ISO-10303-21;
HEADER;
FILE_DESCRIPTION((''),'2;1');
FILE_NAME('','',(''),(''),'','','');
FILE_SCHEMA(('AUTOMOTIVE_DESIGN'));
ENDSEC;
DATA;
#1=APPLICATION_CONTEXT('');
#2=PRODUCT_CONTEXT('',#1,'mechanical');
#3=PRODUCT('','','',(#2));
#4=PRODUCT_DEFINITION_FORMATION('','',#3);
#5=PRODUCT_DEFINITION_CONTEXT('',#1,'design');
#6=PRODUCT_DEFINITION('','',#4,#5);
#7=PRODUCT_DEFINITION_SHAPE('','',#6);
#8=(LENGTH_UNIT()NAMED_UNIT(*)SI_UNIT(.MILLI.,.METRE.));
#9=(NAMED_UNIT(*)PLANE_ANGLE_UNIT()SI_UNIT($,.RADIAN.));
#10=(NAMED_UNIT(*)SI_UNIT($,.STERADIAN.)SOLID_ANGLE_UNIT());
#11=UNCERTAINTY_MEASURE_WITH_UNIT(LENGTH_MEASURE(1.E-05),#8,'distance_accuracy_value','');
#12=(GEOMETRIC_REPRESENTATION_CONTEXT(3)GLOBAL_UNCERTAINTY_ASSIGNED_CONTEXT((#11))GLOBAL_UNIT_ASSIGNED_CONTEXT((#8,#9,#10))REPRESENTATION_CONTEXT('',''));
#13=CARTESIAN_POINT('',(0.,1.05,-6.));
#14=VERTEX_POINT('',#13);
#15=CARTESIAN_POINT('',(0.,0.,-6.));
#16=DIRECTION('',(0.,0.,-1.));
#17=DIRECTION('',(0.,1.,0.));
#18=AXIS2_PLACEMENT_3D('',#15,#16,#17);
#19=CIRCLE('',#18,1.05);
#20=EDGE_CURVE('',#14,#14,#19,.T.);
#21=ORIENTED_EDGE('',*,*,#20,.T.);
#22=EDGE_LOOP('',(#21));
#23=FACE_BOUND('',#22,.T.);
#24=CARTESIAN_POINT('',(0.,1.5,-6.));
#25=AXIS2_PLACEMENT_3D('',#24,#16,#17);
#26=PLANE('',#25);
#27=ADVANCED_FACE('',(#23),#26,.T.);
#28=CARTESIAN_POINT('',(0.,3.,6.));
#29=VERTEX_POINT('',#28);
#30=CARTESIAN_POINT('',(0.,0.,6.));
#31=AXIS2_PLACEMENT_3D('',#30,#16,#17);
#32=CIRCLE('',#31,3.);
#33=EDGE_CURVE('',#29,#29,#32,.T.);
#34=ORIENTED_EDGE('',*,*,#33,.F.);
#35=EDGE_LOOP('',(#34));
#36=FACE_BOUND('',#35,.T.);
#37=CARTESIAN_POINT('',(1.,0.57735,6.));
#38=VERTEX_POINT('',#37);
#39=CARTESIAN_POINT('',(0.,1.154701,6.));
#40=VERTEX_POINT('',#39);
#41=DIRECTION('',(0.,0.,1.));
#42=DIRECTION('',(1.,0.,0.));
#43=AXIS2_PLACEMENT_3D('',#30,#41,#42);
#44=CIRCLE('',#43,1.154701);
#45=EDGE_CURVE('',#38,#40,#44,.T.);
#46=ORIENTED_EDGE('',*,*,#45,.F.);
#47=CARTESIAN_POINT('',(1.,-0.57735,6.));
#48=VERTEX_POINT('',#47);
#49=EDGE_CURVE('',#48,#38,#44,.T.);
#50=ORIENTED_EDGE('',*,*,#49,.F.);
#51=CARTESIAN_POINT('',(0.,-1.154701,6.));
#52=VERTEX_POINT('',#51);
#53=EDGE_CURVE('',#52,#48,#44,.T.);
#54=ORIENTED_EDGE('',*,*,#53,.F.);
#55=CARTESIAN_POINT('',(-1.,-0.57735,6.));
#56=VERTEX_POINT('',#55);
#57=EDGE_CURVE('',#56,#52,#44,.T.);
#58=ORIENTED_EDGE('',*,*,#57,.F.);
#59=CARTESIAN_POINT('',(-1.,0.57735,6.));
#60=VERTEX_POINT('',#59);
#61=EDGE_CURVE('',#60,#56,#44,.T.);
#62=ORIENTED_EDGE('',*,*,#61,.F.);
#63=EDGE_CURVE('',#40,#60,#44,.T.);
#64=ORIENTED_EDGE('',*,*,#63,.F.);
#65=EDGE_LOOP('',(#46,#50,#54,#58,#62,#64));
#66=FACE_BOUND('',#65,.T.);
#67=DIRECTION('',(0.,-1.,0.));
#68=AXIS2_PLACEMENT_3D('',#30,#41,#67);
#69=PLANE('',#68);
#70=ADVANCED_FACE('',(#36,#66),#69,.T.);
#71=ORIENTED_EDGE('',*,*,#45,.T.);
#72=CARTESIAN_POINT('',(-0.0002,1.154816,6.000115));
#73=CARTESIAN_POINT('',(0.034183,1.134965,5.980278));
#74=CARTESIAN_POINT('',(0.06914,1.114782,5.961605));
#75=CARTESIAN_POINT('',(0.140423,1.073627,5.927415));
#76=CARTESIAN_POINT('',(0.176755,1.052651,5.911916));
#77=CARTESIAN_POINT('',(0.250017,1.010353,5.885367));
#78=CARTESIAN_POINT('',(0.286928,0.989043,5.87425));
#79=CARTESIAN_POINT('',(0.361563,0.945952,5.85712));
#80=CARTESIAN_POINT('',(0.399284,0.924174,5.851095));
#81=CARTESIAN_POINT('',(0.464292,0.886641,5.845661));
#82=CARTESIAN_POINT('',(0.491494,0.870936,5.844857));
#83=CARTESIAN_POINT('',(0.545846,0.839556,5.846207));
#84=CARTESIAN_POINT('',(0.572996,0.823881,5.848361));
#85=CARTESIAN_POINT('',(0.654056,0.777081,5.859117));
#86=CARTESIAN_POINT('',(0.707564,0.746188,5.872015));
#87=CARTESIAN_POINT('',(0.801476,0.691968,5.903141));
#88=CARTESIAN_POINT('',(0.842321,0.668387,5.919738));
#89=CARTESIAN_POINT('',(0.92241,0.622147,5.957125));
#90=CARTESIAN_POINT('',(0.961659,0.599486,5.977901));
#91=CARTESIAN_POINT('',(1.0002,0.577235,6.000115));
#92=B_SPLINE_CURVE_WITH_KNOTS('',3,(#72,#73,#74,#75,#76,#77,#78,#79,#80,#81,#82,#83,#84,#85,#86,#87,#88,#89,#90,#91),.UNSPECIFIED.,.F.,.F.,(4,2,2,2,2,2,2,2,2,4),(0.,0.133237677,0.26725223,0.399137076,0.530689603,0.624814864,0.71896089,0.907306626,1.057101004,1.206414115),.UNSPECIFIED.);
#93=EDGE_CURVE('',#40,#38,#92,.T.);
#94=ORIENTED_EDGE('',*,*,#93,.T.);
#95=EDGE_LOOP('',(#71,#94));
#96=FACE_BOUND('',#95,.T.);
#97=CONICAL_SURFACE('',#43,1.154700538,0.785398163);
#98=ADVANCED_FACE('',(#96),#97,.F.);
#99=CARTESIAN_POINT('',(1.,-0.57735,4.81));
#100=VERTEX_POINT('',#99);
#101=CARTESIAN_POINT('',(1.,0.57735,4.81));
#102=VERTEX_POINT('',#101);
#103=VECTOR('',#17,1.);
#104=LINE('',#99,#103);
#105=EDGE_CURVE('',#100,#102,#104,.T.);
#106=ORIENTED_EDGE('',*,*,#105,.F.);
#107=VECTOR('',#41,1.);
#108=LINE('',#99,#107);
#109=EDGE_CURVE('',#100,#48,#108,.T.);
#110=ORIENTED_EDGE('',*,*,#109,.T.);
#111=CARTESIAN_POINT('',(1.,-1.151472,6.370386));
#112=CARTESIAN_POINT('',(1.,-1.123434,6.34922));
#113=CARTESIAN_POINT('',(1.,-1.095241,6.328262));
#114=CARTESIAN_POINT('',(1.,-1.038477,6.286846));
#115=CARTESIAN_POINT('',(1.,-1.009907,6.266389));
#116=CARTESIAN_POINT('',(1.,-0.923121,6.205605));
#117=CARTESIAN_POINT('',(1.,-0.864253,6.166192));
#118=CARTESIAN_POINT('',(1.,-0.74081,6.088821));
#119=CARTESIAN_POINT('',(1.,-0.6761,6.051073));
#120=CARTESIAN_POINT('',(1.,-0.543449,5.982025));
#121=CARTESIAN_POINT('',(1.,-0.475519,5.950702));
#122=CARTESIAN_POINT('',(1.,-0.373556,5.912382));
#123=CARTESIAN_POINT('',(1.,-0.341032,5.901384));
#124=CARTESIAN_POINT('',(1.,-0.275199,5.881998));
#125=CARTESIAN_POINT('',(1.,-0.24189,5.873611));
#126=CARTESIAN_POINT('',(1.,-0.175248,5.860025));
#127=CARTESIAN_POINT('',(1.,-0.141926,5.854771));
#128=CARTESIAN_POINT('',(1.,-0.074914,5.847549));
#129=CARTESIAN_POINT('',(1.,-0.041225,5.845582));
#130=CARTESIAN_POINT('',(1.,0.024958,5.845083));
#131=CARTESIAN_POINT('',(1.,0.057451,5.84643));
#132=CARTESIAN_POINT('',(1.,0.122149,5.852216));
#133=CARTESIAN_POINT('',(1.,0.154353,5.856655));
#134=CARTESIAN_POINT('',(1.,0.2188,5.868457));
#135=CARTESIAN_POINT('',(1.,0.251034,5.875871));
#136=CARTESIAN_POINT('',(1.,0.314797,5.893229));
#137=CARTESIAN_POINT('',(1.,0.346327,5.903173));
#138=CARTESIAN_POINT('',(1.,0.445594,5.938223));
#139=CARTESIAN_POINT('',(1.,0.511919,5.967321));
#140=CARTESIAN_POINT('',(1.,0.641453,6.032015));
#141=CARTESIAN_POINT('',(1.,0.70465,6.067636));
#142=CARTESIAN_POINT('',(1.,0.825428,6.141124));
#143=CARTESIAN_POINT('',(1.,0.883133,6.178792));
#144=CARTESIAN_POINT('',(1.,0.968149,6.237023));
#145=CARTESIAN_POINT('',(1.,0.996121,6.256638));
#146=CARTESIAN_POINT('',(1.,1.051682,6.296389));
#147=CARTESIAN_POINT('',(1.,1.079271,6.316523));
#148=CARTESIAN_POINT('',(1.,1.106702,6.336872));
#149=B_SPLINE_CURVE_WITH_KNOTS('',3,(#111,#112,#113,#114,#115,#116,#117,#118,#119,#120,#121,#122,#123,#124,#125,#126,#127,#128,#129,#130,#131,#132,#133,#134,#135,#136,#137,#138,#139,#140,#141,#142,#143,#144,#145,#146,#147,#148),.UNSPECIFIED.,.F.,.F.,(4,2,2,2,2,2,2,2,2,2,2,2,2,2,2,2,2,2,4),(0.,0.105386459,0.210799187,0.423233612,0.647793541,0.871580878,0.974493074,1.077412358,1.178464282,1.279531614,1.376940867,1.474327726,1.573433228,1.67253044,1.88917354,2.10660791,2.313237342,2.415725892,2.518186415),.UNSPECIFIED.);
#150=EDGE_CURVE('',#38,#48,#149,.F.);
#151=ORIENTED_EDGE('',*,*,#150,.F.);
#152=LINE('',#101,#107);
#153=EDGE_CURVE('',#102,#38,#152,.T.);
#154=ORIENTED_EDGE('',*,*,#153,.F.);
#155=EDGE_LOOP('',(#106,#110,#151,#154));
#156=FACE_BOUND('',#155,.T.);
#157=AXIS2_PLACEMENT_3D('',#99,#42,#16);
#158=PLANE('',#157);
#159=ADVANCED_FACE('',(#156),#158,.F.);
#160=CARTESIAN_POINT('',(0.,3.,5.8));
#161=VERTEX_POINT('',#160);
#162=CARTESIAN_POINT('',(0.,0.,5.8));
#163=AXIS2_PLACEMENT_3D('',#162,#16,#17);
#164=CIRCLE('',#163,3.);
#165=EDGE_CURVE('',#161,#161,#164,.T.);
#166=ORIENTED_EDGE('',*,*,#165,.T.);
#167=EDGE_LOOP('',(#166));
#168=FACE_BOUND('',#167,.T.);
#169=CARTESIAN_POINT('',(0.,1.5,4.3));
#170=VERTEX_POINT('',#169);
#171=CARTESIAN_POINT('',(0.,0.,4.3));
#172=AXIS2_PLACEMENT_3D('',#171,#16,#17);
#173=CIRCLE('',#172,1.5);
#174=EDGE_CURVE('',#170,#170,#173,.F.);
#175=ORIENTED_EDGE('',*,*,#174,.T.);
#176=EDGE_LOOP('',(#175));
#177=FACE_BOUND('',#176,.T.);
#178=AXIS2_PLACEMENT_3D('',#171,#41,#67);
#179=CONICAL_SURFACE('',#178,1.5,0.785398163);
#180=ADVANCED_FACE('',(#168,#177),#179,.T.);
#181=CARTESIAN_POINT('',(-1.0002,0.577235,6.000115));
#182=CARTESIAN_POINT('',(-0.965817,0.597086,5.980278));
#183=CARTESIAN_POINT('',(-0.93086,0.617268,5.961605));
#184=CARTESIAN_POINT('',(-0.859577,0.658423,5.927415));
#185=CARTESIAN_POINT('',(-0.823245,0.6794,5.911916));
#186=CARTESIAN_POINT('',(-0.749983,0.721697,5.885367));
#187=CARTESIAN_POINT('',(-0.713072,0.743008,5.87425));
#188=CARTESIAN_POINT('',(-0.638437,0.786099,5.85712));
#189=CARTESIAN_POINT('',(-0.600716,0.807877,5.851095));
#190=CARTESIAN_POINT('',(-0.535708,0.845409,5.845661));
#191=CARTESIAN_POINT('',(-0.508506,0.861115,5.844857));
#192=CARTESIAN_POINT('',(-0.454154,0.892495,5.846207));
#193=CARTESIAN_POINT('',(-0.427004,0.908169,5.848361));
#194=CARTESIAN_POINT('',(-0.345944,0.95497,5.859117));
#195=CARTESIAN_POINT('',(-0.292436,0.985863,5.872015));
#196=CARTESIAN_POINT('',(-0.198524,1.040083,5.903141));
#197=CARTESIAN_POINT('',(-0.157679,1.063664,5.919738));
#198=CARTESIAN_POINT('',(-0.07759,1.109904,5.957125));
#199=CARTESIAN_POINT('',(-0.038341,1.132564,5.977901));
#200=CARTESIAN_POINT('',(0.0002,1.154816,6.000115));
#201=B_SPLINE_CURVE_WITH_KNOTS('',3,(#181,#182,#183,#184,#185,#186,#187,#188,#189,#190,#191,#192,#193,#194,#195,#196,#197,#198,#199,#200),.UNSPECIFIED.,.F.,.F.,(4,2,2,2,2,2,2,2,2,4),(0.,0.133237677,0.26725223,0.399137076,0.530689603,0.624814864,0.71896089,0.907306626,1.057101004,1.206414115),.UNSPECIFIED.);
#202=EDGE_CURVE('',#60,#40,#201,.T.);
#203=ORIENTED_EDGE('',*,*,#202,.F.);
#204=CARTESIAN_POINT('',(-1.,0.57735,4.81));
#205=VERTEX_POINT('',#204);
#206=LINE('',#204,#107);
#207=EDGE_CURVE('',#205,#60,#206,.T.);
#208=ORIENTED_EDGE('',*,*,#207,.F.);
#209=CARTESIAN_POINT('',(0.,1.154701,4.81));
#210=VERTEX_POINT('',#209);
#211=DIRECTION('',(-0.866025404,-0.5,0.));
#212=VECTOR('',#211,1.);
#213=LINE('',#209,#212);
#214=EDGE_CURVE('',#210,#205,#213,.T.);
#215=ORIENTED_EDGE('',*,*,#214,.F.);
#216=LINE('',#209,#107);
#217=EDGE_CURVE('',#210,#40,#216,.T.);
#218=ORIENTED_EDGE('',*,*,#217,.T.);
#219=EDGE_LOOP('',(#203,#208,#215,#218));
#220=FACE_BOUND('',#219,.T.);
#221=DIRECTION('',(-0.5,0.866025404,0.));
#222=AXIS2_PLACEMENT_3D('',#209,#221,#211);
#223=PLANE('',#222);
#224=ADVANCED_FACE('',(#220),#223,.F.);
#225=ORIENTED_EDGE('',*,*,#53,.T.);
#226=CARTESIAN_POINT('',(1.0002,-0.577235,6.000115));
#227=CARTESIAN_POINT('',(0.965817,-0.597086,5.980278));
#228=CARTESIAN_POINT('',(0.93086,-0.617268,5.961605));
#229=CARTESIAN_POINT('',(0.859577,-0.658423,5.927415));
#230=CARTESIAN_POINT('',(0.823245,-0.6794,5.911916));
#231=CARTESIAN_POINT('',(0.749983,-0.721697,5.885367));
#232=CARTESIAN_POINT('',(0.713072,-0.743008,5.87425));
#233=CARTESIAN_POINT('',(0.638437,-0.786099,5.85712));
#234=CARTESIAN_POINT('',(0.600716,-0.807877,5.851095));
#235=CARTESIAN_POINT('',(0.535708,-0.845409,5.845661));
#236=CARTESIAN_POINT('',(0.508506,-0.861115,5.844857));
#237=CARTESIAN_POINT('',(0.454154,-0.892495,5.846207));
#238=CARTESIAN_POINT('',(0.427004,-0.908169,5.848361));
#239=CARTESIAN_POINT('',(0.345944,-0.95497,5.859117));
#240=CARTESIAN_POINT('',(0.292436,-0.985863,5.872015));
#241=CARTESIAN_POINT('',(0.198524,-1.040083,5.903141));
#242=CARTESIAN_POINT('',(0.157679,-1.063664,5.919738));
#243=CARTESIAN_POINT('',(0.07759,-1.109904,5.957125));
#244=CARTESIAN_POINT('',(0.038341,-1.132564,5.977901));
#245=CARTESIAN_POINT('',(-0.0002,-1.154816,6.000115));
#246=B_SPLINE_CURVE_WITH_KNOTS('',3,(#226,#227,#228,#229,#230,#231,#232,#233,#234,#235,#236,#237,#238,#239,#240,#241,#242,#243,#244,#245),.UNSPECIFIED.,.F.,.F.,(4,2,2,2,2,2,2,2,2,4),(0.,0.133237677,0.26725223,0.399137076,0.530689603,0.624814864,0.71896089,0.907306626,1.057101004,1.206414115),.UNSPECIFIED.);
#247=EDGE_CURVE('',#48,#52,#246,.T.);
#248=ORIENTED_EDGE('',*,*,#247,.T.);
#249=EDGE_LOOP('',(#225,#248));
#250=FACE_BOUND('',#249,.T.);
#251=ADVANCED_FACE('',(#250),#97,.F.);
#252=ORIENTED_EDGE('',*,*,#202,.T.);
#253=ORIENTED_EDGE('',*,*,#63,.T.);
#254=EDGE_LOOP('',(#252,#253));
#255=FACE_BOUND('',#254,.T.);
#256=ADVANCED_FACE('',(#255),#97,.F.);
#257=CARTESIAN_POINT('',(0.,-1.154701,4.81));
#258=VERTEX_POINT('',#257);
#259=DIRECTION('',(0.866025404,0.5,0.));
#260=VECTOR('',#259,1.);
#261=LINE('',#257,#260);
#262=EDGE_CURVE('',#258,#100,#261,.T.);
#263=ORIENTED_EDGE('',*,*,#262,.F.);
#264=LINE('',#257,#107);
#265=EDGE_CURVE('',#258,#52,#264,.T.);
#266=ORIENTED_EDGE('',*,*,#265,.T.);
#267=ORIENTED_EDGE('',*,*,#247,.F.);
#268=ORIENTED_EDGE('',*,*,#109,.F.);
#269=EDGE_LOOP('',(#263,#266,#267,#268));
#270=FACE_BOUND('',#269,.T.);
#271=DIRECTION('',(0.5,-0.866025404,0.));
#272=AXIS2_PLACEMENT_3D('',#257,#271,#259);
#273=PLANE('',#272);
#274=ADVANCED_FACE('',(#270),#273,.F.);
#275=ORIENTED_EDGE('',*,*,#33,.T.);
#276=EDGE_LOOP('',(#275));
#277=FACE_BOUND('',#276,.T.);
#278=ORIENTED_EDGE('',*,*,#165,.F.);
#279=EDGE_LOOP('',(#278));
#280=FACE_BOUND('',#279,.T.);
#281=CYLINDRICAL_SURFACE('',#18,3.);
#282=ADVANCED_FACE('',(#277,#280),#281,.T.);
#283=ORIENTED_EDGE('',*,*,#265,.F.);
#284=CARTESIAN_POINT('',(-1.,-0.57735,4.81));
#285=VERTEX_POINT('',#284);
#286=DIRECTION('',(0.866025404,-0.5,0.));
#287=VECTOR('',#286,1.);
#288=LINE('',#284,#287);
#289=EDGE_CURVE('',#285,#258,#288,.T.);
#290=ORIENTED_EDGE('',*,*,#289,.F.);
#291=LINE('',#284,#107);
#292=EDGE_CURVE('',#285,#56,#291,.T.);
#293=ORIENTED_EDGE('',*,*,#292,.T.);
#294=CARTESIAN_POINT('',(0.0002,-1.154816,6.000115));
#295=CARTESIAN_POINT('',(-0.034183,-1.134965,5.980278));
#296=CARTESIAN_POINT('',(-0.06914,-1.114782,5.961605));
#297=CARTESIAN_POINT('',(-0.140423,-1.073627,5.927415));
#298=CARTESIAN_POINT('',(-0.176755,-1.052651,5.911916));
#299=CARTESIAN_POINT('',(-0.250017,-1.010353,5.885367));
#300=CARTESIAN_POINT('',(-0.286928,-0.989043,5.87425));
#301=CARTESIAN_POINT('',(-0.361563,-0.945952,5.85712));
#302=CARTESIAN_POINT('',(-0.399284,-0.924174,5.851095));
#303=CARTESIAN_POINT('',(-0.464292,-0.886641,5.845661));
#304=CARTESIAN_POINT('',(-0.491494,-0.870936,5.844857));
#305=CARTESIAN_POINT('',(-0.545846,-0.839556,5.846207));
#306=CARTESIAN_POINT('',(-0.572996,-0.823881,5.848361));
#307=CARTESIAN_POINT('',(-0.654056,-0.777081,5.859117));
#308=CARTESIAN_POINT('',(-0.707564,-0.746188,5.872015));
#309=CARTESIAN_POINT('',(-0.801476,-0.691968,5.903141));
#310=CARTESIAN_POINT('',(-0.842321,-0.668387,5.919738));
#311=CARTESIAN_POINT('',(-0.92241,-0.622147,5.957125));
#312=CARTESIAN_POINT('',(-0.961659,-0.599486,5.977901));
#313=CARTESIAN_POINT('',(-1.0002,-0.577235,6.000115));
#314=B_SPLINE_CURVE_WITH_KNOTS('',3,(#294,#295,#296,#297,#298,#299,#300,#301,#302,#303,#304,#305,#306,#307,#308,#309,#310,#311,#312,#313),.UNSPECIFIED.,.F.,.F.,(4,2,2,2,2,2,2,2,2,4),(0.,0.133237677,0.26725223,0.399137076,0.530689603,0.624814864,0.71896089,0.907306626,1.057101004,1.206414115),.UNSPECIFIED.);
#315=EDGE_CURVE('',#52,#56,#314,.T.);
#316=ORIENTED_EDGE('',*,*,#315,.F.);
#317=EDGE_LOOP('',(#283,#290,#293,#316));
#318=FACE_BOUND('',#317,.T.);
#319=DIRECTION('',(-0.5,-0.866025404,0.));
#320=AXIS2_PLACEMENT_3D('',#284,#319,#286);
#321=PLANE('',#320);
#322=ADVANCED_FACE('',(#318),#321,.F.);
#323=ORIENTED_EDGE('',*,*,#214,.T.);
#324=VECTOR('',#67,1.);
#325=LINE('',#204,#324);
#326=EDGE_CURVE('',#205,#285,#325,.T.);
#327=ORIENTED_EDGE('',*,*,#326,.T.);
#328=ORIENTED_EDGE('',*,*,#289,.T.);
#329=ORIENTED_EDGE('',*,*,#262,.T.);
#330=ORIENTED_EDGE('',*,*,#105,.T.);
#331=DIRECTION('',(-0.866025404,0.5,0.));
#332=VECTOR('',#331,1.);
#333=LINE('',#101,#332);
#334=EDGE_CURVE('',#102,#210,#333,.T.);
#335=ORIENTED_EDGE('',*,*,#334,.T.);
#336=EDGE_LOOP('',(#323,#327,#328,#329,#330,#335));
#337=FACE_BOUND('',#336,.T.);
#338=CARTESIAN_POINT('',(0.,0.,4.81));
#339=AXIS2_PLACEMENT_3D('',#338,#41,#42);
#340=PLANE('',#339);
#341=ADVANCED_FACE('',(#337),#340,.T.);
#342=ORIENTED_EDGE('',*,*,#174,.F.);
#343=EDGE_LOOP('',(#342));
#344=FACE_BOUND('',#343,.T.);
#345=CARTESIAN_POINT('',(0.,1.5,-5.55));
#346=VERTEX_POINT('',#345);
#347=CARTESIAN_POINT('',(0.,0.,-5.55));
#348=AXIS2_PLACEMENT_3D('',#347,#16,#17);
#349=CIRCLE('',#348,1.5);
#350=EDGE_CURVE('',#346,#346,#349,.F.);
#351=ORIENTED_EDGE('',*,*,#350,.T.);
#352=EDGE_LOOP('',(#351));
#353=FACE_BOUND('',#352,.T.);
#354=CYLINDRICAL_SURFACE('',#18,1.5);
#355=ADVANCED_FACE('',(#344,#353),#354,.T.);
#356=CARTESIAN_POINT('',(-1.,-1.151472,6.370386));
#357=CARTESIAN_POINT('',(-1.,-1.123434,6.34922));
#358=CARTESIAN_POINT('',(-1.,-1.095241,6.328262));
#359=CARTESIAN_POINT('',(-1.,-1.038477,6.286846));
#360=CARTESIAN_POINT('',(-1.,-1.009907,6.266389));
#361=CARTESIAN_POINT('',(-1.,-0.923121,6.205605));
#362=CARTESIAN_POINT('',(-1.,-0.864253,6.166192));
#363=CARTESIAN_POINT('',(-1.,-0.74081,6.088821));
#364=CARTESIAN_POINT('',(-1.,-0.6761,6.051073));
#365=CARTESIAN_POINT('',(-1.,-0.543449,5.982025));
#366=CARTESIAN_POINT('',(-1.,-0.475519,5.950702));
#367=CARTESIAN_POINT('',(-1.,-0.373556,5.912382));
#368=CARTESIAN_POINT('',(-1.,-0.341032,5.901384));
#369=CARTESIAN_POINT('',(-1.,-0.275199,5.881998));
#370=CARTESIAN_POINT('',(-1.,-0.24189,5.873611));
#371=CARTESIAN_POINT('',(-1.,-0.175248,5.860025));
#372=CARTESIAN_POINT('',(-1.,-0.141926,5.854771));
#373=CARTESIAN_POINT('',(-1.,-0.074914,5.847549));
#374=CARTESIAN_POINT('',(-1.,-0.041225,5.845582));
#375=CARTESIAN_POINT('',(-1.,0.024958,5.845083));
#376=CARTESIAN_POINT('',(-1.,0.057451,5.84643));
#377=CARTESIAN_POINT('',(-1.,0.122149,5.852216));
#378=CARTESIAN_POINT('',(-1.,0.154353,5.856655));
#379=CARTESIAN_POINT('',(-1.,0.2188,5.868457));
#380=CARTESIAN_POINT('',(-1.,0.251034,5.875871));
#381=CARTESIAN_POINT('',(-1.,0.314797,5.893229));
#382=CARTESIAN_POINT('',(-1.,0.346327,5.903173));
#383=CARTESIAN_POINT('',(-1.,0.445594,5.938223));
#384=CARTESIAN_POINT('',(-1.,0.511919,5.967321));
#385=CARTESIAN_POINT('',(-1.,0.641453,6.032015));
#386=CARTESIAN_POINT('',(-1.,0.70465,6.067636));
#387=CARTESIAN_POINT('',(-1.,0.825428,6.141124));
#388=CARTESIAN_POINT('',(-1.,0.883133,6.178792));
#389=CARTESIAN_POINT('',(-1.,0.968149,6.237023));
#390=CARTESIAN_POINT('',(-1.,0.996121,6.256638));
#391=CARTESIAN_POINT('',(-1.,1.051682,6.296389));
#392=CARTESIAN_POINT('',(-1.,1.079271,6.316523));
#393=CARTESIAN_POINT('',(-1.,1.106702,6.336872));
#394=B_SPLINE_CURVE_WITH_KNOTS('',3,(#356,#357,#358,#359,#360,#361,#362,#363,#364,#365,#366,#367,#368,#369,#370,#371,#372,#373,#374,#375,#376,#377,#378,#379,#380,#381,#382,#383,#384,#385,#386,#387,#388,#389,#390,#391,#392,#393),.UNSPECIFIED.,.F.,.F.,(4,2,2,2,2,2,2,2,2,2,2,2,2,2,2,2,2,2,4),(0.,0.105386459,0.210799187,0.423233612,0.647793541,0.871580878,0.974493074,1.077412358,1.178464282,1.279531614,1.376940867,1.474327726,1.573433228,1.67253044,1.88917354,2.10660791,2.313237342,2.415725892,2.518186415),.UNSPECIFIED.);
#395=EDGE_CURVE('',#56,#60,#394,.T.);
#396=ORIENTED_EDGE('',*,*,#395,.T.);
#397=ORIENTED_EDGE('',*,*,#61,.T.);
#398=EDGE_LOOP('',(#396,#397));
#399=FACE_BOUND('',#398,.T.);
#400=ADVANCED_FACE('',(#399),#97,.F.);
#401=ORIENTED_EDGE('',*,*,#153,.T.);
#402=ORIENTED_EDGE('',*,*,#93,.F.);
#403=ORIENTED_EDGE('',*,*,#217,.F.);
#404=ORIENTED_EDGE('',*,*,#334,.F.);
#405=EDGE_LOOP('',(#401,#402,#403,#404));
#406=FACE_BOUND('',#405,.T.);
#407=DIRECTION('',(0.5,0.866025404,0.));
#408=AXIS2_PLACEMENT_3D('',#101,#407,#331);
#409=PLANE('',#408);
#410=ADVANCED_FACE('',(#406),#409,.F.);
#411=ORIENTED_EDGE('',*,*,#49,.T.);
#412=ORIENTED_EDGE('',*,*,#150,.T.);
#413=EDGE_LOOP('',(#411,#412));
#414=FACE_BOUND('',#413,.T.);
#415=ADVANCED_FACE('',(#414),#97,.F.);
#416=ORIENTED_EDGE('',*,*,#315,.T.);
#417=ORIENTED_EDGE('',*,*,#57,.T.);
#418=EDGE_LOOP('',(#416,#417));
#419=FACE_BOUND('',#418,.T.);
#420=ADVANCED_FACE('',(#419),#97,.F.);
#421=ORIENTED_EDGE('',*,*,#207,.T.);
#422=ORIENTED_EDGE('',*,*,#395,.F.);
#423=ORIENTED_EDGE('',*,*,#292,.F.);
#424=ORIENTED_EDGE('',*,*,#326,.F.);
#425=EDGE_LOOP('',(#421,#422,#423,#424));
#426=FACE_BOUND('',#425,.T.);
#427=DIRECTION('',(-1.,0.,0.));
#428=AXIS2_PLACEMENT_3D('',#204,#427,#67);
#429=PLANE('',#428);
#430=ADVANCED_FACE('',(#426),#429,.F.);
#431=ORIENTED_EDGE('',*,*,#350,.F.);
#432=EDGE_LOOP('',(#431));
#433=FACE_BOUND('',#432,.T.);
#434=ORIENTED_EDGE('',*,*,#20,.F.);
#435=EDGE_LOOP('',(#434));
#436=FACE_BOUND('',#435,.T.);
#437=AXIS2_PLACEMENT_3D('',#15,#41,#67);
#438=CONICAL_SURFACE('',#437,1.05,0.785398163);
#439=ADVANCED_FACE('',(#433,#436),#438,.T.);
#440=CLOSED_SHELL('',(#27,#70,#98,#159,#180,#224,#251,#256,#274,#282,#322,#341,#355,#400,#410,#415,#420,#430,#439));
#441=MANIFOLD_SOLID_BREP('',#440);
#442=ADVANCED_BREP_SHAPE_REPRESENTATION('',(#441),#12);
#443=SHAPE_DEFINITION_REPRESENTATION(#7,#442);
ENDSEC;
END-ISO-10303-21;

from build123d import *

# Parameters (mm, degrees)
SKETCH3_W          = 12
SKETCH3_H          = 1.5
CHAMFER1_SIZE      = 0.45
CUT_EXTRUDE1_DEPTH = 1.19


with BuildPart() as part:
    # Sketch3 → Revolve1 (revolve)
    with BuildSketch(Plane(origin=(0, 0, 0), x_dir=(0, 0, -1), z_dir=(1, 0, 0))):
        with Locations((0, 0.75)):
            Rectangle(SKETCH3_W, SKETCH3_H)
    revolve(axis=Axis((0, 0, -6), (0, 0, 1)))

    # Chamfer1
    chamfer1_edges = [part.edges().sort_by_distance(p)[0] for p in [
        (0, -1.5, -6),
    ]]
    chamfer(chamfer1_edges, length=CHAMFER1_SIZE)

    # Sketch6 → Revolve2 (revolve)
    with BuildSketch(Plane(origin=(0, 0, 0), x_dir=(0, 0, -1), z_dir=(1, 0, 0))):
        Polygon((-6, 3), (-5.8, 3), (-4.3, 1.5), (-4.3, 0), (-6, 0), align=None)
    revolve(axis=Axis((0, 0, -6), (0, 0, 1)))

    # Sketch8 → Cut-Extrude1 (cut)
    with BuildSketch(Plane.XY.offset(6)):
        Polygon((0, 1.154700538), (-1, 0.577350269), (-1, -0.577350269), (0, -1.154700538), (1, -0.577350269), (1, 0.577350269), align=None)
    extrude(amount=-CUT_EXTRUDE1_DEPTH, mode=Mode.SUBTRACT)

    # Cut-Extrude2 cone 1 section (through the dimple's axis) → Cut-Extrude2 (revolve, cut)
    with BuildSketch(Plane(origin=(0, 0, 6), x_dir=(0, -1, 0), z_dir=(1, 0, 0))):
        Polygon((0, 0), (1.154700538, 0), (0, 1.154700538), align=None)
    revolve(axis=Axis((0, 0, 6), (0, 0, -1)), mode=Mode.SUBTRACT)


solid = part.part
